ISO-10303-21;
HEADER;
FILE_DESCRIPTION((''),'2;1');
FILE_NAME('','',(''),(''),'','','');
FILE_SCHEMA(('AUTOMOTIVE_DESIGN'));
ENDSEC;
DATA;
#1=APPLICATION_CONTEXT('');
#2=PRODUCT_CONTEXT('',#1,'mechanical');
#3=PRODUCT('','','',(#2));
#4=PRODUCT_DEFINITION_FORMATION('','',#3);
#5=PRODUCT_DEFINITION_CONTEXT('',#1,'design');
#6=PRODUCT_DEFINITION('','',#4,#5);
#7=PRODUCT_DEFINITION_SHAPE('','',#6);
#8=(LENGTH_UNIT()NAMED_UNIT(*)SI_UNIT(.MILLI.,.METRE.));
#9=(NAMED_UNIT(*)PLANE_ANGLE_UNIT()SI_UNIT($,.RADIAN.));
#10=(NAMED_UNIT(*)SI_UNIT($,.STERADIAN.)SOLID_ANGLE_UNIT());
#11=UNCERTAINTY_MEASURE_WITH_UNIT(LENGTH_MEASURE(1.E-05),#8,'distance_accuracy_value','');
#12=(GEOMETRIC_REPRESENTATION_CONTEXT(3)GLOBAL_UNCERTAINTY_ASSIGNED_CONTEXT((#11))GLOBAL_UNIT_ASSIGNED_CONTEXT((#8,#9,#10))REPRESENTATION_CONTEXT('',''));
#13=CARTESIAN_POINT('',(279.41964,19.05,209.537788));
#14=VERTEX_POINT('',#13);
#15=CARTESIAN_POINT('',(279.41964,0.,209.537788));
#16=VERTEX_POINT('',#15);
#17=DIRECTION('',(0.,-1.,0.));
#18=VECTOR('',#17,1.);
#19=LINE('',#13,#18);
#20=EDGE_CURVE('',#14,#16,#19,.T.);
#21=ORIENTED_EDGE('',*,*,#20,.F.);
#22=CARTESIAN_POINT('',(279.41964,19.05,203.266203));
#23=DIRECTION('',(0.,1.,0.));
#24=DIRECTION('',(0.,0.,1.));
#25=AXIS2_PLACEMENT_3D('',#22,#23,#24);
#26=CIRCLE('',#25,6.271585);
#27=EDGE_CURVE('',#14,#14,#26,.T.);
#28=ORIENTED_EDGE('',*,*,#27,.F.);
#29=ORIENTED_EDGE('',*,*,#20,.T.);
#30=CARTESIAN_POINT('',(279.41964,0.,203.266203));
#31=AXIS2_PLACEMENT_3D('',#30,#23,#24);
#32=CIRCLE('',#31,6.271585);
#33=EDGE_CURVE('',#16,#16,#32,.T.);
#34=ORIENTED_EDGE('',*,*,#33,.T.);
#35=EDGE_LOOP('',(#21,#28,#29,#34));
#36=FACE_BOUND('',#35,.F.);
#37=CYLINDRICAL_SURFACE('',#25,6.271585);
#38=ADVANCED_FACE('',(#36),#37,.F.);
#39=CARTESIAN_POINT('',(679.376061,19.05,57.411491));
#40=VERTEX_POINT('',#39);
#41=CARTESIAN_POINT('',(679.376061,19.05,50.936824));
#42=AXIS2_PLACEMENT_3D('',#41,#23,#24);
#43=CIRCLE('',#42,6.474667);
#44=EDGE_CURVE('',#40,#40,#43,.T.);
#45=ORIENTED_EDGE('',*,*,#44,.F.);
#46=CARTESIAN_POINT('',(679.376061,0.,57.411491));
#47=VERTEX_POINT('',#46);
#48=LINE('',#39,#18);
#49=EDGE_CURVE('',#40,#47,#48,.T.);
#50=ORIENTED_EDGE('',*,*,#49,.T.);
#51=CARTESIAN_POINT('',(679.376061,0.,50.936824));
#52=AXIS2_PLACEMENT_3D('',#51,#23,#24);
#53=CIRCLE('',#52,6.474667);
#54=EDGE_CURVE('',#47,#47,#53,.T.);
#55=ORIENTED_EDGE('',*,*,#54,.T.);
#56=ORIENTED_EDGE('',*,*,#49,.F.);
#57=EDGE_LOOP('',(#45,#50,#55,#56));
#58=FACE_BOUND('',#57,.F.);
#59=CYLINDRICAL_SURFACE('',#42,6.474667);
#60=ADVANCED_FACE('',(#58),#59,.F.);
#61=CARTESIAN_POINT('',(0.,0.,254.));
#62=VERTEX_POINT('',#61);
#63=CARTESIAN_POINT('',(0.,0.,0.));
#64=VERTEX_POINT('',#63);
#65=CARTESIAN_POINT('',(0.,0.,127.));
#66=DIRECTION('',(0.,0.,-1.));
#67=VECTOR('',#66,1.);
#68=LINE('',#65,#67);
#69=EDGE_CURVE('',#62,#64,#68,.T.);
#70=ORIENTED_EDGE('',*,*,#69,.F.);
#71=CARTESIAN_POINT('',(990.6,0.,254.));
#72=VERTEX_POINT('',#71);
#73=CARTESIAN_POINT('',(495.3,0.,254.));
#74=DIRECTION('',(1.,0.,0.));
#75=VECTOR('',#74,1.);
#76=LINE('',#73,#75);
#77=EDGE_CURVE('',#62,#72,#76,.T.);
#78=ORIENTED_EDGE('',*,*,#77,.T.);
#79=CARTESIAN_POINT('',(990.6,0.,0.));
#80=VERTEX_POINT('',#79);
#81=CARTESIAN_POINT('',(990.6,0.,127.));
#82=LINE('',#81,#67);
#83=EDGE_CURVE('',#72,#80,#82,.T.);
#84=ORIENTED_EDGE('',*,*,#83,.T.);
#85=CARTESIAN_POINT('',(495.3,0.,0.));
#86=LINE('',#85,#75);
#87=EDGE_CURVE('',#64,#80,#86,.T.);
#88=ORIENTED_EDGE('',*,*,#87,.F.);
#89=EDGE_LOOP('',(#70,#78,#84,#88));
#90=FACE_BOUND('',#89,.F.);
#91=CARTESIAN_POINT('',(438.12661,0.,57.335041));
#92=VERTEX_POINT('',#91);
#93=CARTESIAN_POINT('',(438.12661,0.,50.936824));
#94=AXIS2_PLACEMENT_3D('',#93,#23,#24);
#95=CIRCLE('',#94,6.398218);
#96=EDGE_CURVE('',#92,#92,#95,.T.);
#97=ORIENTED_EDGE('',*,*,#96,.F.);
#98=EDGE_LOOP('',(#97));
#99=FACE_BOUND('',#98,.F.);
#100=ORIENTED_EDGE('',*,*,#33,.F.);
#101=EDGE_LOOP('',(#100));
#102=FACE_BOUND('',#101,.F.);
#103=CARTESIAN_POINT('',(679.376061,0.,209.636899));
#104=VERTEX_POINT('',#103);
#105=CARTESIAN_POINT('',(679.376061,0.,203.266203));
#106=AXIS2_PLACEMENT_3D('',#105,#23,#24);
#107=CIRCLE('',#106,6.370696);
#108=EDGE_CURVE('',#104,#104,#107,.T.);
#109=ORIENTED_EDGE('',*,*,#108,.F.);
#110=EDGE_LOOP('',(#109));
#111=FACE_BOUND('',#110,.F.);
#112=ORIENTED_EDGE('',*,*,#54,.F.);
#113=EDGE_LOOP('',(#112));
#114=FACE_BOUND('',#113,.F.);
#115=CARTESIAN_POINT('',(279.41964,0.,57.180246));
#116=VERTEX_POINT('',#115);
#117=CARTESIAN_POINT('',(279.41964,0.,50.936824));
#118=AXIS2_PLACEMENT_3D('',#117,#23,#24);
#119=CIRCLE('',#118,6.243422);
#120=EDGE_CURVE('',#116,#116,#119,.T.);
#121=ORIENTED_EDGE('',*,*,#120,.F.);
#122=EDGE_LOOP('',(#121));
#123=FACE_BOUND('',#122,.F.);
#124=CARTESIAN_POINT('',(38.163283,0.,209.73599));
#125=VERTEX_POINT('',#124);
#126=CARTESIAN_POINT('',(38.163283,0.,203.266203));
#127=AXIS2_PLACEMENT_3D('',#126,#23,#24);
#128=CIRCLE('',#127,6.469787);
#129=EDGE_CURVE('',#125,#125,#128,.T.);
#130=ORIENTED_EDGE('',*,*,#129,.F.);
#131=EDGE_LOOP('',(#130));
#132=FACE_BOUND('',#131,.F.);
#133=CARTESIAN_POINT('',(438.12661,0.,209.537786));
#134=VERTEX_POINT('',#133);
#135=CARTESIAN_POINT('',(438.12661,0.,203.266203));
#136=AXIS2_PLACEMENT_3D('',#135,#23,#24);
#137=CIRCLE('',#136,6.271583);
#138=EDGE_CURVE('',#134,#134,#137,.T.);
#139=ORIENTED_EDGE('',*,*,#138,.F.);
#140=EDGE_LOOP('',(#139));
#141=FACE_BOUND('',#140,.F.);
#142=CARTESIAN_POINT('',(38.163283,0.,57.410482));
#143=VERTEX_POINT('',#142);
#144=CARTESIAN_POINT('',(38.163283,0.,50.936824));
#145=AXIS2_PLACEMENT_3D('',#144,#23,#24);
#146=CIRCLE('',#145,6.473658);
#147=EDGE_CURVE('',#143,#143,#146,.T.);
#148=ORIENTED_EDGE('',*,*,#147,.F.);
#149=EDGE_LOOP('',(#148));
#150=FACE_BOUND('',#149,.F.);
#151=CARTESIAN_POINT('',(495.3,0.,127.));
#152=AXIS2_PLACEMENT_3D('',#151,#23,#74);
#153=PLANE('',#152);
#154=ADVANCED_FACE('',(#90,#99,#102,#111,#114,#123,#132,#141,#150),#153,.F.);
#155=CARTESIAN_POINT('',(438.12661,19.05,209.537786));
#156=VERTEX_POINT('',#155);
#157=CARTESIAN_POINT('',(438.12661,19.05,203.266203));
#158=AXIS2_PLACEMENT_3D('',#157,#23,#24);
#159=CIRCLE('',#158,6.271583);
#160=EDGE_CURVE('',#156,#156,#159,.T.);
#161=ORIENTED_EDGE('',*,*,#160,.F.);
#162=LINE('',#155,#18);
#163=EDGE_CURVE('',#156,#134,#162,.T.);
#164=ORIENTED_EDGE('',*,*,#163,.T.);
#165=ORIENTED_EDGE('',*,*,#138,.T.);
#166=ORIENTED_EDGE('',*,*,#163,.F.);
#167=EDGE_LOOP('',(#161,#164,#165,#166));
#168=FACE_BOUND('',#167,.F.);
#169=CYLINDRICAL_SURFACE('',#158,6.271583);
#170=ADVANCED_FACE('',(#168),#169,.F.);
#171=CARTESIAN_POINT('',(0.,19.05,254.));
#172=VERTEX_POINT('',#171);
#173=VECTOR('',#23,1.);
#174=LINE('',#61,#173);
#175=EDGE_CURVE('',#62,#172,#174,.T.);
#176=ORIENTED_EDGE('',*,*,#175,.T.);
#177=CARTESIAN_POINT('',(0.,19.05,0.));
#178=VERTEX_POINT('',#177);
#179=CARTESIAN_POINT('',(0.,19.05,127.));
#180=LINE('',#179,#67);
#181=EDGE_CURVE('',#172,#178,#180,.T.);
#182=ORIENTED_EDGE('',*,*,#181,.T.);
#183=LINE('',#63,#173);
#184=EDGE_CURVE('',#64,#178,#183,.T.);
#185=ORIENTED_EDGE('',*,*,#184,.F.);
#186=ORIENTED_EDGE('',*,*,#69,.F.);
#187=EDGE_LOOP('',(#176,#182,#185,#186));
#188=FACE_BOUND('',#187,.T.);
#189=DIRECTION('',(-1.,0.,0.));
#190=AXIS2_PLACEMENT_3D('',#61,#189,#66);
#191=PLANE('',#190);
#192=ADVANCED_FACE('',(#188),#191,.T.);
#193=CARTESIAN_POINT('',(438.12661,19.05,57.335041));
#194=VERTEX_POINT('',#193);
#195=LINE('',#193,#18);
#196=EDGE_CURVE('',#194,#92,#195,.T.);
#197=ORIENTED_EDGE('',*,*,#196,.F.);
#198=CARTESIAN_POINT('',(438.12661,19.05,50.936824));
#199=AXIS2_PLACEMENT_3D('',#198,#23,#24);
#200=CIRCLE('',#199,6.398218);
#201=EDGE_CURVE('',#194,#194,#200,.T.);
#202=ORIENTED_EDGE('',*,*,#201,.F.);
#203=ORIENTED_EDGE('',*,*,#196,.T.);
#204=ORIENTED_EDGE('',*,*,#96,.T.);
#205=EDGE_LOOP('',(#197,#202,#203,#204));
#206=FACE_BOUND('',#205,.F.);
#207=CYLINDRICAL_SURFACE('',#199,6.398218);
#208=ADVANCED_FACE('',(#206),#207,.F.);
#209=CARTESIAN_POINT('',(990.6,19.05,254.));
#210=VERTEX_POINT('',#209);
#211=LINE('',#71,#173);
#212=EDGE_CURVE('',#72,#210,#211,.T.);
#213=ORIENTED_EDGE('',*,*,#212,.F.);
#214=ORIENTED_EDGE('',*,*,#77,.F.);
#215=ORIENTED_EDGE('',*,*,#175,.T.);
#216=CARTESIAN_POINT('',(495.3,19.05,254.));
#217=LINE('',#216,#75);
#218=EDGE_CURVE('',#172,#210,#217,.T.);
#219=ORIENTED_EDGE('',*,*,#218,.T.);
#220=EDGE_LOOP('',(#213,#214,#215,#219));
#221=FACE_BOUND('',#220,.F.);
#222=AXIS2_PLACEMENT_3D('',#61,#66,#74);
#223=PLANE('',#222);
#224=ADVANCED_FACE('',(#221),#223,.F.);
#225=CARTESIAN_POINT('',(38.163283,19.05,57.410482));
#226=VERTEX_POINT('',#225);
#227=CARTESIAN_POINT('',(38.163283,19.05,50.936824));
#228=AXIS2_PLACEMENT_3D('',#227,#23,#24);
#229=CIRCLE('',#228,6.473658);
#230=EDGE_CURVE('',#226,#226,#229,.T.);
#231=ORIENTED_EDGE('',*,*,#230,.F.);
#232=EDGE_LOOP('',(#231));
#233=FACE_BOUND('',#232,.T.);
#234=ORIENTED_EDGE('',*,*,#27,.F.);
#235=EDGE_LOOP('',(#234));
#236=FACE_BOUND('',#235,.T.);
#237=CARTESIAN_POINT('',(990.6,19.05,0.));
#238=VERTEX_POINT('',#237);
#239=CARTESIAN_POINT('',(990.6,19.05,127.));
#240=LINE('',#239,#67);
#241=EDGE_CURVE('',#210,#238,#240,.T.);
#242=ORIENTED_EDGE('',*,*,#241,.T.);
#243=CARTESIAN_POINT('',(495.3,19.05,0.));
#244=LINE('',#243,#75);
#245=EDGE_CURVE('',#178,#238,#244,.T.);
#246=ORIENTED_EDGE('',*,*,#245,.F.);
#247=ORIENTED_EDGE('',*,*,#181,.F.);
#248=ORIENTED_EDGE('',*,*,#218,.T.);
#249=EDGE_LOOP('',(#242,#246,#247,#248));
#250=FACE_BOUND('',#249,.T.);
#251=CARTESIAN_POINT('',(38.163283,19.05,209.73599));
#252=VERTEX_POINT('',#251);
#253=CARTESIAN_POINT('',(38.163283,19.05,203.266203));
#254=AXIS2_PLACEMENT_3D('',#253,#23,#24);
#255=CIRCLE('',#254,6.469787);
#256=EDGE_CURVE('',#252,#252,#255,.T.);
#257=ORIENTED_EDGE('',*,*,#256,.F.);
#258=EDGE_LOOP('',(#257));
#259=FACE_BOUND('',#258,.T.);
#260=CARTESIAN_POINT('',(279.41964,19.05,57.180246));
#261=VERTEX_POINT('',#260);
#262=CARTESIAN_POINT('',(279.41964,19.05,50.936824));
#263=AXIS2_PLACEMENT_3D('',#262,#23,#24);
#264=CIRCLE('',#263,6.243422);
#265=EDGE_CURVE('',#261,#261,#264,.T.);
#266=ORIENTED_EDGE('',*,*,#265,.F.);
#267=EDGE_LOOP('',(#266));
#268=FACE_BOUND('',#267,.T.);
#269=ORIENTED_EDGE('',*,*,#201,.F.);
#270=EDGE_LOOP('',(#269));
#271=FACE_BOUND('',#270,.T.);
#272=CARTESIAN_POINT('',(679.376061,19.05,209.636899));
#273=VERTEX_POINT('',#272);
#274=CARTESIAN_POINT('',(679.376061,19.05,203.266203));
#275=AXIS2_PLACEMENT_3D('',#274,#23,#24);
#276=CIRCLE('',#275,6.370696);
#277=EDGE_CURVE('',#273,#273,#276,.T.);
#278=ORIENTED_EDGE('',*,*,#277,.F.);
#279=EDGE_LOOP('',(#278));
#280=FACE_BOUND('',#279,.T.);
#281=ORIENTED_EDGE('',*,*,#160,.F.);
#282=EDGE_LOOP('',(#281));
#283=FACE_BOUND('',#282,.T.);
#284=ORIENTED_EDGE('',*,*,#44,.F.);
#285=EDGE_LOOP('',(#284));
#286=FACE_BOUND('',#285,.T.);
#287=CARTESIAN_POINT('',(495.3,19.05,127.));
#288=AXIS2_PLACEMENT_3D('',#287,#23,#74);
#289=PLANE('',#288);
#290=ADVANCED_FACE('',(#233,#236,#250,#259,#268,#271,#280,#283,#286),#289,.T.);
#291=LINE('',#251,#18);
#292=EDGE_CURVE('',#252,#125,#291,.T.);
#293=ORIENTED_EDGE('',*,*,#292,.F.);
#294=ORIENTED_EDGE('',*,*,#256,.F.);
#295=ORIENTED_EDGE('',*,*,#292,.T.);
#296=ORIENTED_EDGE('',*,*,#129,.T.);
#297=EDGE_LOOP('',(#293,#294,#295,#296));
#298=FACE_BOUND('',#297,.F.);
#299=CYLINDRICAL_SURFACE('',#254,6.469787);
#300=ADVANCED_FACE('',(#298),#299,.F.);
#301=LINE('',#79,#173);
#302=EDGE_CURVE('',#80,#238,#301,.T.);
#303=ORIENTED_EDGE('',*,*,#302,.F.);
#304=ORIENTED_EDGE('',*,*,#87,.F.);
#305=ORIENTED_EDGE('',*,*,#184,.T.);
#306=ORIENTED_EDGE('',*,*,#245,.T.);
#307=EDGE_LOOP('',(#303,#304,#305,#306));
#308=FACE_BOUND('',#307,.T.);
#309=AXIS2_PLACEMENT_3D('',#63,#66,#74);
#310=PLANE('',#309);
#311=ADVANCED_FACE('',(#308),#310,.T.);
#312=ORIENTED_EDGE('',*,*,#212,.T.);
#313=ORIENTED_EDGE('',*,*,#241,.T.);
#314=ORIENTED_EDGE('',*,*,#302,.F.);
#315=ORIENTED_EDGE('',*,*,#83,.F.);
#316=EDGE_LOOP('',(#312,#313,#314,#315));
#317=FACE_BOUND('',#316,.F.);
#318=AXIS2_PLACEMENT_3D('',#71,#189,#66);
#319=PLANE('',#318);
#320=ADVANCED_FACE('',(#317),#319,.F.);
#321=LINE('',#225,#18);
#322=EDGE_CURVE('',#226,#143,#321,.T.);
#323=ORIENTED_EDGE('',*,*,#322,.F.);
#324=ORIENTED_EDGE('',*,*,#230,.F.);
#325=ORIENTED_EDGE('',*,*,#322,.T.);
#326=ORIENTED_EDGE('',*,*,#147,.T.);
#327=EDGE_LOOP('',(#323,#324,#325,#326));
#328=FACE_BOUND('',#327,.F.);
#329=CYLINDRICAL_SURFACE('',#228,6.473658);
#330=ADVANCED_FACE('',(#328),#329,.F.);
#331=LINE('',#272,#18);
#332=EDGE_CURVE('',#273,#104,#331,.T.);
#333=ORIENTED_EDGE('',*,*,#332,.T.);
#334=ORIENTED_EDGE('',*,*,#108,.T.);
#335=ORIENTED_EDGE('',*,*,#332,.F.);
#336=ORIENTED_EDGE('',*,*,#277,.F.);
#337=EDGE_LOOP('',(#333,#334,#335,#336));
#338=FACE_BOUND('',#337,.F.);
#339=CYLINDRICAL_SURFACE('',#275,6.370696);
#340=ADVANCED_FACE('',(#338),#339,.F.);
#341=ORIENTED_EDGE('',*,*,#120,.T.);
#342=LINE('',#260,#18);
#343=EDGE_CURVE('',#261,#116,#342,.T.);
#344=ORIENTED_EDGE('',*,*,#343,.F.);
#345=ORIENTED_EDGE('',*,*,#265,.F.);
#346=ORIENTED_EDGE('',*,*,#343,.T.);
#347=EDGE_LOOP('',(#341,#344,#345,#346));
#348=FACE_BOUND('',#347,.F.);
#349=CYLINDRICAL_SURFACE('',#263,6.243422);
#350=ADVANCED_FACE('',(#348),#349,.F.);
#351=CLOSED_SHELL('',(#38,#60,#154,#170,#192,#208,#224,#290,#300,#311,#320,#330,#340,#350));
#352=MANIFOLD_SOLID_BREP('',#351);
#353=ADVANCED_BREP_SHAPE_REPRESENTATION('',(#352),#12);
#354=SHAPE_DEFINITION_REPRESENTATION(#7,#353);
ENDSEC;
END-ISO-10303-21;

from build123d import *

# Parameters (mm, degrees)
SKETCH1_W           = 990.6
SKETCH1_H           = 254
BOSS_EXTRUDE1_DEPTH = 19.05
SKETCH2_R           = 6.469787118
SKETCH2_R_2         = 6.473657786
SKETCH2_R_3         = 6.271584958
SKETCH2_R_4         = 6.243422097
SKETCH2_R_5         = 6.398217523
SKETCH2_R_6         = 6.271582896
SKETCH2_R_7         = 6.370696496
SKETCH2_R_8         = 6.474667208
CUT_EXTRUDE1_DEPTH  = 19.05


with BuildPart() as part:
    # Sketch1 → Boss-Extrude1 (new body)
    with BuildSketch(Plane(origin=(0, 0, 0), x_dir=(1, 0, 0), z_dir=(0, 1, 0))):
        with Locations((495.3, -127)):
            Rectangle(SKETCH1_W, SKETCH1_H)
    extrude(amount=BOSS_EXTRUDE1_DEPTH)

    # Sketch2 → Cut-Extrude1 (cut)
    with BuildSketch(Plane(origin=(0, 19.05, 0), x_dir=(1, 0, 0), z_dir=(0, 1, 0))):
        with Locations(Location((38.163282765, -203.266202911, 0), (0, 0, 270))):
            Circle(SKETCH2_R)
        with Locations(Location((38.163282765, -50.93682379, 0), (0, 0, 270))):
            Circle(SKETCH2_R_2)
        with Locations(Location((279.419639976, -203.266202911, 0), (0, 0, 270))):
            Circle(SKETCH2_R_3)
        with Locations(Location((279.419639976, -50.93682379, 0), (0, 0, 270))):
            Circle(SKETCH2_R_4)
        with Locations(Location((438.126610422, -50.93682379, 0), (0, 0, 270))):
            Circle(SKETCH2_R_5)
        with Locations(Location((438.126610422, -203.266202911, 0), (0, 0, 270))):
            Circle(SKETCH2_R_6)
        with Locations(Location((679.376061379, -203.266202911, 0), (0, 0, 270))):
            Circle(SKETCH2_R_7)
        with Locations(Location((679.376061379, -50.93682379, 0), (0, 0, 270))):
            Circle(SKETCH2_R_8)
    extrude(amount=-CUT_EXTRUDE1_DEPTH, mode=Mode.SUBTRACT)


solid = part.part
